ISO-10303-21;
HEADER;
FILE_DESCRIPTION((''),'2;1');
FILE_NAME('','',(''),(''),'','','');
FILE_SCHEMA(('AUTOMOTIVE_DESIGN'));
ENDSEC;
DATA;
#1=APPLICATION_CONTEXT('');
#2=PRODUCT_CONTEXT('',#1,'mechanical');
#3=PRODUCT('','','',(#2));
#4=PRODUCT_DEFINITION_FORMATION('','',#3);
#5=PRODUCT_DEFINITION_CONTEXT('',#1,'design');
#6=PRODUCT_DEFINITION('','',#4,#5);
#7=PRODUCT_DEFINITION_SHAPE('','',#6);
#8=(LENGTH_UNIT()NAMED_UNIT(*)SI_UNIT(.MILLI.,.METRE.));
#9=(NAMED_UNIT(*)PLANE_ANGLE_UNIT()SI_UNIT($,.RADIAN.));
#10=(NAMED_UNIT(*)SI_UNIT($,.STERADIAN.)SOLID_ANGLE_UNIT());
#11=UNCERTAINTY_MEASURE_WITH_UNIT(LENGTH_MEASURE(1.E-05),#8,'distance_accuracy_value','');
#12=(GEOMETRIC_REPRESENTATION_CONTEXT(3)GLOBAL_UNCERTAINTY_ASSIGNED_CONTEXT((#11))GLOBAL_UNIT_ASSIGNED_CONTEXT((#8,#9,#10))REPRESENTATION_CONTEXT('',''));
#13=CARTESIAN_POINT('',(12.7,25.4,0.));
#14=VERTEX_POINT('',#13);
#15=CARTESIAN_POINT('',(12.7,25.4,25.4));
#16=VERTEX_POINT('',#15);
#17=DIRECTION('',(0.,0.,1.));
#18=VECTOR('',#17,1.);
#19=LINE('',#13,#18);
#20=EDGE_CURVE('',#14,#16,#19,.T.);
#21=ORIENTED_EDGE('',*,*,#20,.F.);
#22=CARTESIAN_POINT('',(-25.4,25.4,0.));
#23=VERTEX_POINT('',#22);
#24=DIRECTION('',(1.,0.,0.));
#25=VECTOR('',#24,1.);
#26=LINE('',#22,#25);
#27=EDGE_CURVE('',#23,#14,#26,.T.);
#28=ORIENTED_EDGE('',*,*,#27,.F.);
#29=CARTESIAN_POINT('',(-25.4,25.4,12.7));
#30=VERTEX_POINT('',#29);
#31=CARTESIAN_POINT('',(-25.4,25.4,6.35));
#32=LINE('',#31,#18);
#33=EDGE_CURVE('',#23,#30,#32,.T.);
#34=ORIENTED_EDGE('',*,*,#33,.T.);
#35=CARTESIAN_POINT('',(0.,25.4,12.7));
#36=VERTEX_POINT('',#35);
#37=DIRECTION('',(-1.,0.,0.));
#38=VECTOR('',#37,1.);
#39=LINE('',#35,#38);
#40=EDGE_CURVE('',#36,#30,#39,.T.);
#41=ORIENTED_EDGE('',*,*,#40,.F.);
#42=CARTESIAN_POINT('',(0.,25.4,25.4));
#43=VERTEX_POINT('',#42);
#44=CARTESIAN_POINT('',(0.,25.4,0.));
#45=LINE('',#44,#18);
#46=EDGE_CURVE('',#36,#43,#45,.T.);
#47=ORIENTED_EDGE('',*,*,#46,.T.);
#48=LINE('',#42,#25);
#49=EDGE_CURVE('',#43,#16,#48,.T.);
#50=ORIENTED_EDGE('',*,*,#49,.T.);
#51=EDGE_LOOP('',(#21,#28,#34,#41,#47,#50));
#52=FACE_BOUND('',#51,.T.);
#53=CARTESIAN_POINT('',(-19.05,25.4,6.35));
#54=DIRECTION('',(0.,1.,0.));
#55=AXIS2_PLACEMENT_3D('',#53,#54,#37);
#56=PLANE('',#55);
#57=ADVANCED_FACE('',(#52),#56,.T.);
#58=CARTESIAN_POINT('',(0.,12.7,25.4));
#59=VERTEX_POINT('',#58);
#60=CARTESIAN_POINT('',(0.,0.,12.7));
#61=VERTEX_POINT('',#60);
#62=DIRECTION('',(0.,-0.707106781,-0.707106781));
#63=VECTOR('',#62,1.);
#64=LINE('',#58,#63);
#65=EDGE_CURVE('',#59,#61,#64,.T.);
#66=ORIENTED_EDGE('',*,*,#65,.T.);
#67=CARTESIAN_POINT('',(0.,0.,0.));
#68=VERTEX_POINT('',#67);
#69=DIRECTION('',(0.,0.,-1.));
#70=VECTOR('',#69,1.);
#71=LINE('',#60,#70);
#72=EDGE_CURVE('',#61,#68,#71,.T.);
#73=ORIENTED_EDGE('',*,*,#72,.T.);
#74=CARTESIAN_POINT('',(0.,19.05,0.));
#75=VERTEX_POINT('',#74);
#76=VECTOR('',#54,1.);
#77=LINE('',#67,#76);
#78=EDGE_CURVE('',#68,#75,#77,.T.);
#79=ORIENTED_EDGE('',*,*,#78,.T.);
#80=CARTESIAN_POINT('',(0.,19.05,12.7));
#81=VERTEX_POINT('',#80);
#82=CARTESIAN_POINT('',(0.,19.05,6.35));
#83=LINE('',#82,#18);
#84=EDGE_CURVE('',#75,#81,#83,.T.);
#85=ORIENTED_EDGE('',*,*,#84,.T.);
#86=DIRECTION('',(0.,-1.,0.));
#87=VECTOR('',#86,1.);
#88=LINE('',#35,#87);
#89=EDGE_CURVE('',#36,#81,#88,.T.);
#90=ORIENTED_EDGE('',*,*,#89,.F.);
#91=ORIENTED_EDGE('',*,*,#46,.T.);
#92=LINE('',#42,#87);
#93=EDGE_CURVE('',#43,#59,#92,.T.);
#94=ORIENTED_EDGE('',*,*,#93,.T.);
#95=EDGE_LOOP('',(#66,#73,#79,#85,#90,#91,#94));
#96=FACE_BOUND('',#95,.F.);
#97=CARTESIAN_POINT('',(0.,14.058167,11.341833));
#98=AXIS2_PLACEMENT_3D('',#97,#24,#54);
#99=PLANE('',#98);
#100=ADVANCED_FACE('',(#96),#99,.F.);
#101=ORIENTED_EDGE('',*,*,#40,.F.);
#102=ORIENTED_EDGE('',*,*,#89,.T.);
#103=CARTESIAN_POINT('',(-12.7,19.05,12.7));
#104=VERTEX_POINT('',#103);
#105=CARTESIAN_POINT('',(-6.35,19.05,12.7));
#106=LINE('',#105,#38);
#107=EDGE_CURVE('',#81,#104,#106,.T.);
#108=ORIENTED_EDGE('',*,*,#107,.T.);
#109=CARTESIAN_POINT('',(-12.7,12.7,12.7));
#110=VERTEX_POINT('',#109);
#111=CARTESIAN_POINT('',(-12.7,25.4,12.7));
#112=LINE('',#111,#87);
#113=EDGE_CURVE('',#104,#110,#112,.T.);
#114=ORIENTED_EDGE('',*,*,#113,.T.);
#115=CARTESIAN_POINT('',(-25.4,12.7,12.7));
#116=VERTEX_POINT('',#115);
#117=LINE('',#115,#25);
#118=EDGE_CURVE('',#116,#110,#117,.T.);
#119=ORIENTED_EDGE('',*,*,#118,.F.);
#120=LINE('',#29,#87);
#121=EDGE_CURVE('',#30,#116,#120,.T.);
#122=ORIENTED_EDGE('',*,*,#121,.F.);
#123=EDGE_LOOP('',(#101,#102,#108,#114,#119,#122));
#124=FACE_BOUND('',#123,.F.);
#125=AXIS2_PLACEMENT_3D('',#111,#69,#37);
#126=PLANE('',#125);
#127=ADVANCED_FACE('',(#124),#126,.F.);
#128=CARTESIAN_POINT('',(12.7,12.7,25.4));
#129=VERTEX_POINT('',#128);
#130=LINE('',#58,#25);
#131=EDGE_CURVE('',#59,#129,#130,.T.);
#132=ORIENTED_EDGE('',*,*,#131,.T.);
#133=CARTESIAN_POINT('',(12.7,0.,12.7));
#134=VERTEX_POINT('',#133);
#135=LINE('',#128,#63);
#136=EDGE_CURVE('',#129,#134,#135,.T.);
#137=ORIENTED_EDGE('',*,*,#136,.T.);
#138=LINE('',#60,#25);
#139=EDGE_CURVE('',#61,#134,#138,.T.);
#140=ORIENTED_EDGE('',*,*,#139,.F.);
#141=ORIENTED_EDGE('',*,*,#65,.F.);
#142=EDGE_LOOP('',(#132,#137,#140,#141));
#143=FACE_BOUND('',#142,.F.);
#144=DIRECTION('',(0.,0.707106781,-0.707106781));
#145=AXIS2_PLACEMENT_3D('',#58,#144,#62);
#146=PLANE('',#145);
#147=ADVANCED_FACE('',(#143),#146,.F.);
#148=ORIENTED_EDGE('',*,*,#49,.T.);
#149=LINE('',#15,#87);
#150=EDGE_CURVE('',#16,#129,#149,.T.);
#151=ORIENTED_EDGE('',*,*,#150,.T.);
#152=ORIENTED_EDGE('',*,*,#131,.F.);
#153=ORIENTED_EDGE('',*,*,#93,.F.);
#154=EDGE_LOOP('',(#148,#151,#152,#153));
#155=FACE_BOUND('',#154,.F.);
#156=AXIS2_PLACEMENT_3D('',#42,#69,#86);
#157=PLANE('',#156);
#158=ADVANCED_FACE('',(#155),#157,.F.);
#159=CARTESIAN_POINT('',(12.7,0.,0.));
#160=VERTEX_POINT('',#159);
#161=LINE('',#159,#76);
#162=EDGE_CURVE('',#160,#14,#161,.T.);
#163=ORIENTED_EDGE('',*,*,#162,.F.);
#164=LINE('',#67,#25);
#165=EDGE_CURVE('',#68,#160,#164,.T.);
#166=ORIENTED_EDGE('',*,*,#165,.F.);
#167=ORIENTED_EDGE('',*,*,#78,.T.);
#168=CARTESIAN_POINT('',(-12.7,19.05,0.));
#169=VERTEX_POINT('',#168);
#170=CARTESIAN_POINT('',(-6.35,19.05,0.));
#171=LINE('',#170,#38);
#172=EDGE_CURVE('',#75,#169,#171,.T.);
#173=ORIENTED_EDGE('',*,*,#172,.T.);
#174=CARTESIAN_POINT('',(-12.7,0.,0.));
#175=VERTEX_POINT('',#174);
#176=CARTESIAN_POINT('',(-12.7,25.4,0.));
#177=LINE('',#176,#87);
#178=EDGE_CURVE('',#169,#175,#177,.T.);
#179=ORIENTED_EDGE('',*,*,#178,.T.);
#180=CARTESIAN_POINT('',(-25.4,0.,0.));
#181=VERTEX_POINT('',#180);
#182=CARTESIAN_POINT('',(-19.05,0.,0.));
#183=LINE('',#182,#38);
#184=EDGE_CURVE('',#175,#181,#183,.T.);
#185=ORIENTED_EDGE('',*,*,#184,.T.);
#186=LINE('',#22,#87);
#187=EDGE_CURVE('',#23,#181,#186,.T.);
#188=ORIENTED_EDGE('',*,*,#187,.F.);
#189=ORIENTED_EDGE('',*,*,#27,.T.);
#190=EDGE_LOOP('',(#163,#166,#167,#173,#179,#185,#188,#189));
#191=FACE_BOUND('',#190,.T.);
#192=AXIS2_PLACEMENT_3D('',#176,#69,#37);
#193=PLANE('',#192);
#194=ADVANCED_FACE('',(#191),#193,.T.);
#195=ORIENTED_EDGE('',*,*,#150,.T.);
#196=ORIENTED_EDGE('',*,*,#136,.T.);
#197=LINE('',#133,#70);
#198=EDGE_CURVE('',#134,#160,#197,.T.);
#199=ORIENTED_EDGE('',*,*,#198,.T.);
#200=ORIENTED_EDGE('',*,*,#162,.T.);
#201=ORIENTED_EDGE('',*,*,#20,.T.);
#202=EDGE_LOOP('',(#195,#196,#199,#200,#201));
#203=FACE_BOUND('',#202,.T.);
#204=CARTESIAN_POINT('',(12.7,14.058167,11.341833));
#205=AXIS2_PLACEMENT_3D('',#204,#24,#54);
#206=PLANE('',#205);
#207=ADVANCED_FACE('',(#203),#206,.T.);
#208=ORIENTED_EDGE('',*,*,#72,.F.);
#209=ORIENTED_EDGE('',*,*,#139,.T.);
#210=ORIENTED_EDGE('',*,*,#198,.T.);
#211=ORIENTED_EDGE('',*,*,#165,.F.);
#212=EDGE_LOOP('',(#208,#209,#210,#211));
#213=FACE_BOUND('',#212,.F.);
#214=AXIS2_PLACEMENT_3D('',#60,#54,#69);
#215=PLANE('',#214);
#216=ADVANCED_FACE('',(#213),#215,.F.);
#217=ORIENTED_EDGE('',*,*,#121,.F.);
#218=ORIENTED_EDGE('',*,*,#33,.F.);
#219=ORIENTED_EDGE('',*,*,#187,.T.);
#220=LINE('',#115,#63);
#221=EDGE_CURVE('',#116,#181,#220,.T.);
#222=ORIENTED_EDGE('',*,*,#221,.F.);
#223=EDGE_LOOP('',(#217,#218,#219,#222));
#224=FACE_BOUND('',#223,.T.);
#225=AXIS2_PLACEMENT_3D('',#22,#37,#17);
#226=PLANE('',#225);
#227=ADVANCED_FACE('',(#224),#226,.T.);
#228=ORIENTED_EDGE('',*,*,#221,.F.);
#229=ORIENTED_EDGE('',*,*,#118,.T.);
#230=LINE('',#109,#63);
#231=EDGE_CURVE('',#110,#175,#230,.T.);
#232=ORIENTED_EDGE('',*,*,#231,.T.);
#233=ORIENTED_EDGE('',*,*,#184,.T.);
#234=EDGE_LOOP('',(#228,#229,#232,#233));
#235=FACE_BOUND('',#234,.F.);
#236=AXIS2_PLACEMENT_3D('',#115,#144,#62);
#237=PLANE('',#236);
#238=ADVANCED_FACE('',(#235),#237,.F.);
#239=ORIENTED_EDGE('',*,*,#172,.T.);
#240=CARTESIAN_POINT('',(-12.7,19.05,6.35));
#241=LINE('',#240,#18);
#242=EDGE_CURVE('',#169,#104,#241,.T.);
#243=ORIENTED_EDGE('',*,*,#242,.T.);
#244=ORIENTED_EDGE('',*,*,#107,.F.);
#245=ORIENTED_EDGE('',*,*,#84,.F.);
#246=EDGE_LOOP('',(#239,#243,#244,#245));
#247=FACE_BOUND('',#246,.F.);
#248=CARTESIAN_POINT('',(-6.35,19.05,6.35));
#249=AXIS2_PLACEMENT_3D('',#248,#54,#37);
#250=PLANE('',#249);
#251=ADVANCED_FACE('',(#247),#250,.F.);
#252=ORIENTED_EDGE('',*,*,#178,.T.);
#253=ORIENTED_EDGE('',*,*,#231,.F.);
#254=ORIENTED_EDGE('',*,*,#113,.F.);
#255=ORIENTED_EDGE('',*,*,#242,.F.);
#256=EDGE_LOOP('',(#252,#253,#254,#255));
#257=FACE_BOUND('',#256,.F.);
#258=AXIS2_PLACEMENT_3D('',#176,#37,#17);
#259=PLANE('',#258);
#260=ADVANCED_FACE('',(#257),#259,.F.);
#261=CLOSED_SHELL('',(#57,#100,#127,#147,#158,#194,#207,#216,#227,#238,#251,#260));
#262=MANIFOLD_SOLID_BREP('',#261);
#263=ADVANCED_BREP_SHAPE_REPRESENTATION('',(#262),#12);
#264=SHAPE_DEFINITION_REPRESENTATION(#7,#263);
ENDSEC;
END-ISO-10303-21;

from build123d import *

# Parameters (mm, degrees)
F1_DEPTH = 12.7
F2_W     = 12.7
F2_H     = 12.7
F3_DEPTH = 6.35
F4_W     = 12.7
F4_H     = 12.7
F5_DEPTH = 25.4
F7_DEPTH = 12.7


with BuildPart() as f1:
    # F0 (on Right) → F1 (new body)
    with BuildSketch(Plane.YZ):
        Polygon((0, 12.7), (0, 0), (25.4, 0), (25.4, 25.4), (12.7, 25.4), align=None)
    extrude(amount=F1_DEPTH)

    # F2 (on face) → F3 (join)
    with BuildSketch(Plane(origin=(0, 25.4, 0), x_dir=(-1, 0, 0), z_dir=(0, 1, 0))):
        with Locations((6.35, 6.35)):
            Rectangle(F2_W, F2_H)
    extrude(amount=-F3_DEPTH)

    # F4 (on face) → F5 (join)
    with BuildSketch(Plane(origin=(0, 25.4, 0), x_dir=(-1, 0, 0), z_dir=(0, 1, 0))):
        with Locations((19.05, 6.35)):
            Rectangle(F4_W, F4_H)
    extrude(amount=-F5_DEPTH)

    # F6 (on face) → F7 (cut)
    with BuildSketch(Plane(origin=(-25.4, 0, 0), x_dir=(0, -1, 0), z_dir=(-1, 0, 0))):
        Polygon((-12.7, 12.7), (0, 0), (0, 12.7), align=None)
    extrude(amount=-F7_DEPTH, mode=Mode.SUBTRACT)


solid = f1.part
